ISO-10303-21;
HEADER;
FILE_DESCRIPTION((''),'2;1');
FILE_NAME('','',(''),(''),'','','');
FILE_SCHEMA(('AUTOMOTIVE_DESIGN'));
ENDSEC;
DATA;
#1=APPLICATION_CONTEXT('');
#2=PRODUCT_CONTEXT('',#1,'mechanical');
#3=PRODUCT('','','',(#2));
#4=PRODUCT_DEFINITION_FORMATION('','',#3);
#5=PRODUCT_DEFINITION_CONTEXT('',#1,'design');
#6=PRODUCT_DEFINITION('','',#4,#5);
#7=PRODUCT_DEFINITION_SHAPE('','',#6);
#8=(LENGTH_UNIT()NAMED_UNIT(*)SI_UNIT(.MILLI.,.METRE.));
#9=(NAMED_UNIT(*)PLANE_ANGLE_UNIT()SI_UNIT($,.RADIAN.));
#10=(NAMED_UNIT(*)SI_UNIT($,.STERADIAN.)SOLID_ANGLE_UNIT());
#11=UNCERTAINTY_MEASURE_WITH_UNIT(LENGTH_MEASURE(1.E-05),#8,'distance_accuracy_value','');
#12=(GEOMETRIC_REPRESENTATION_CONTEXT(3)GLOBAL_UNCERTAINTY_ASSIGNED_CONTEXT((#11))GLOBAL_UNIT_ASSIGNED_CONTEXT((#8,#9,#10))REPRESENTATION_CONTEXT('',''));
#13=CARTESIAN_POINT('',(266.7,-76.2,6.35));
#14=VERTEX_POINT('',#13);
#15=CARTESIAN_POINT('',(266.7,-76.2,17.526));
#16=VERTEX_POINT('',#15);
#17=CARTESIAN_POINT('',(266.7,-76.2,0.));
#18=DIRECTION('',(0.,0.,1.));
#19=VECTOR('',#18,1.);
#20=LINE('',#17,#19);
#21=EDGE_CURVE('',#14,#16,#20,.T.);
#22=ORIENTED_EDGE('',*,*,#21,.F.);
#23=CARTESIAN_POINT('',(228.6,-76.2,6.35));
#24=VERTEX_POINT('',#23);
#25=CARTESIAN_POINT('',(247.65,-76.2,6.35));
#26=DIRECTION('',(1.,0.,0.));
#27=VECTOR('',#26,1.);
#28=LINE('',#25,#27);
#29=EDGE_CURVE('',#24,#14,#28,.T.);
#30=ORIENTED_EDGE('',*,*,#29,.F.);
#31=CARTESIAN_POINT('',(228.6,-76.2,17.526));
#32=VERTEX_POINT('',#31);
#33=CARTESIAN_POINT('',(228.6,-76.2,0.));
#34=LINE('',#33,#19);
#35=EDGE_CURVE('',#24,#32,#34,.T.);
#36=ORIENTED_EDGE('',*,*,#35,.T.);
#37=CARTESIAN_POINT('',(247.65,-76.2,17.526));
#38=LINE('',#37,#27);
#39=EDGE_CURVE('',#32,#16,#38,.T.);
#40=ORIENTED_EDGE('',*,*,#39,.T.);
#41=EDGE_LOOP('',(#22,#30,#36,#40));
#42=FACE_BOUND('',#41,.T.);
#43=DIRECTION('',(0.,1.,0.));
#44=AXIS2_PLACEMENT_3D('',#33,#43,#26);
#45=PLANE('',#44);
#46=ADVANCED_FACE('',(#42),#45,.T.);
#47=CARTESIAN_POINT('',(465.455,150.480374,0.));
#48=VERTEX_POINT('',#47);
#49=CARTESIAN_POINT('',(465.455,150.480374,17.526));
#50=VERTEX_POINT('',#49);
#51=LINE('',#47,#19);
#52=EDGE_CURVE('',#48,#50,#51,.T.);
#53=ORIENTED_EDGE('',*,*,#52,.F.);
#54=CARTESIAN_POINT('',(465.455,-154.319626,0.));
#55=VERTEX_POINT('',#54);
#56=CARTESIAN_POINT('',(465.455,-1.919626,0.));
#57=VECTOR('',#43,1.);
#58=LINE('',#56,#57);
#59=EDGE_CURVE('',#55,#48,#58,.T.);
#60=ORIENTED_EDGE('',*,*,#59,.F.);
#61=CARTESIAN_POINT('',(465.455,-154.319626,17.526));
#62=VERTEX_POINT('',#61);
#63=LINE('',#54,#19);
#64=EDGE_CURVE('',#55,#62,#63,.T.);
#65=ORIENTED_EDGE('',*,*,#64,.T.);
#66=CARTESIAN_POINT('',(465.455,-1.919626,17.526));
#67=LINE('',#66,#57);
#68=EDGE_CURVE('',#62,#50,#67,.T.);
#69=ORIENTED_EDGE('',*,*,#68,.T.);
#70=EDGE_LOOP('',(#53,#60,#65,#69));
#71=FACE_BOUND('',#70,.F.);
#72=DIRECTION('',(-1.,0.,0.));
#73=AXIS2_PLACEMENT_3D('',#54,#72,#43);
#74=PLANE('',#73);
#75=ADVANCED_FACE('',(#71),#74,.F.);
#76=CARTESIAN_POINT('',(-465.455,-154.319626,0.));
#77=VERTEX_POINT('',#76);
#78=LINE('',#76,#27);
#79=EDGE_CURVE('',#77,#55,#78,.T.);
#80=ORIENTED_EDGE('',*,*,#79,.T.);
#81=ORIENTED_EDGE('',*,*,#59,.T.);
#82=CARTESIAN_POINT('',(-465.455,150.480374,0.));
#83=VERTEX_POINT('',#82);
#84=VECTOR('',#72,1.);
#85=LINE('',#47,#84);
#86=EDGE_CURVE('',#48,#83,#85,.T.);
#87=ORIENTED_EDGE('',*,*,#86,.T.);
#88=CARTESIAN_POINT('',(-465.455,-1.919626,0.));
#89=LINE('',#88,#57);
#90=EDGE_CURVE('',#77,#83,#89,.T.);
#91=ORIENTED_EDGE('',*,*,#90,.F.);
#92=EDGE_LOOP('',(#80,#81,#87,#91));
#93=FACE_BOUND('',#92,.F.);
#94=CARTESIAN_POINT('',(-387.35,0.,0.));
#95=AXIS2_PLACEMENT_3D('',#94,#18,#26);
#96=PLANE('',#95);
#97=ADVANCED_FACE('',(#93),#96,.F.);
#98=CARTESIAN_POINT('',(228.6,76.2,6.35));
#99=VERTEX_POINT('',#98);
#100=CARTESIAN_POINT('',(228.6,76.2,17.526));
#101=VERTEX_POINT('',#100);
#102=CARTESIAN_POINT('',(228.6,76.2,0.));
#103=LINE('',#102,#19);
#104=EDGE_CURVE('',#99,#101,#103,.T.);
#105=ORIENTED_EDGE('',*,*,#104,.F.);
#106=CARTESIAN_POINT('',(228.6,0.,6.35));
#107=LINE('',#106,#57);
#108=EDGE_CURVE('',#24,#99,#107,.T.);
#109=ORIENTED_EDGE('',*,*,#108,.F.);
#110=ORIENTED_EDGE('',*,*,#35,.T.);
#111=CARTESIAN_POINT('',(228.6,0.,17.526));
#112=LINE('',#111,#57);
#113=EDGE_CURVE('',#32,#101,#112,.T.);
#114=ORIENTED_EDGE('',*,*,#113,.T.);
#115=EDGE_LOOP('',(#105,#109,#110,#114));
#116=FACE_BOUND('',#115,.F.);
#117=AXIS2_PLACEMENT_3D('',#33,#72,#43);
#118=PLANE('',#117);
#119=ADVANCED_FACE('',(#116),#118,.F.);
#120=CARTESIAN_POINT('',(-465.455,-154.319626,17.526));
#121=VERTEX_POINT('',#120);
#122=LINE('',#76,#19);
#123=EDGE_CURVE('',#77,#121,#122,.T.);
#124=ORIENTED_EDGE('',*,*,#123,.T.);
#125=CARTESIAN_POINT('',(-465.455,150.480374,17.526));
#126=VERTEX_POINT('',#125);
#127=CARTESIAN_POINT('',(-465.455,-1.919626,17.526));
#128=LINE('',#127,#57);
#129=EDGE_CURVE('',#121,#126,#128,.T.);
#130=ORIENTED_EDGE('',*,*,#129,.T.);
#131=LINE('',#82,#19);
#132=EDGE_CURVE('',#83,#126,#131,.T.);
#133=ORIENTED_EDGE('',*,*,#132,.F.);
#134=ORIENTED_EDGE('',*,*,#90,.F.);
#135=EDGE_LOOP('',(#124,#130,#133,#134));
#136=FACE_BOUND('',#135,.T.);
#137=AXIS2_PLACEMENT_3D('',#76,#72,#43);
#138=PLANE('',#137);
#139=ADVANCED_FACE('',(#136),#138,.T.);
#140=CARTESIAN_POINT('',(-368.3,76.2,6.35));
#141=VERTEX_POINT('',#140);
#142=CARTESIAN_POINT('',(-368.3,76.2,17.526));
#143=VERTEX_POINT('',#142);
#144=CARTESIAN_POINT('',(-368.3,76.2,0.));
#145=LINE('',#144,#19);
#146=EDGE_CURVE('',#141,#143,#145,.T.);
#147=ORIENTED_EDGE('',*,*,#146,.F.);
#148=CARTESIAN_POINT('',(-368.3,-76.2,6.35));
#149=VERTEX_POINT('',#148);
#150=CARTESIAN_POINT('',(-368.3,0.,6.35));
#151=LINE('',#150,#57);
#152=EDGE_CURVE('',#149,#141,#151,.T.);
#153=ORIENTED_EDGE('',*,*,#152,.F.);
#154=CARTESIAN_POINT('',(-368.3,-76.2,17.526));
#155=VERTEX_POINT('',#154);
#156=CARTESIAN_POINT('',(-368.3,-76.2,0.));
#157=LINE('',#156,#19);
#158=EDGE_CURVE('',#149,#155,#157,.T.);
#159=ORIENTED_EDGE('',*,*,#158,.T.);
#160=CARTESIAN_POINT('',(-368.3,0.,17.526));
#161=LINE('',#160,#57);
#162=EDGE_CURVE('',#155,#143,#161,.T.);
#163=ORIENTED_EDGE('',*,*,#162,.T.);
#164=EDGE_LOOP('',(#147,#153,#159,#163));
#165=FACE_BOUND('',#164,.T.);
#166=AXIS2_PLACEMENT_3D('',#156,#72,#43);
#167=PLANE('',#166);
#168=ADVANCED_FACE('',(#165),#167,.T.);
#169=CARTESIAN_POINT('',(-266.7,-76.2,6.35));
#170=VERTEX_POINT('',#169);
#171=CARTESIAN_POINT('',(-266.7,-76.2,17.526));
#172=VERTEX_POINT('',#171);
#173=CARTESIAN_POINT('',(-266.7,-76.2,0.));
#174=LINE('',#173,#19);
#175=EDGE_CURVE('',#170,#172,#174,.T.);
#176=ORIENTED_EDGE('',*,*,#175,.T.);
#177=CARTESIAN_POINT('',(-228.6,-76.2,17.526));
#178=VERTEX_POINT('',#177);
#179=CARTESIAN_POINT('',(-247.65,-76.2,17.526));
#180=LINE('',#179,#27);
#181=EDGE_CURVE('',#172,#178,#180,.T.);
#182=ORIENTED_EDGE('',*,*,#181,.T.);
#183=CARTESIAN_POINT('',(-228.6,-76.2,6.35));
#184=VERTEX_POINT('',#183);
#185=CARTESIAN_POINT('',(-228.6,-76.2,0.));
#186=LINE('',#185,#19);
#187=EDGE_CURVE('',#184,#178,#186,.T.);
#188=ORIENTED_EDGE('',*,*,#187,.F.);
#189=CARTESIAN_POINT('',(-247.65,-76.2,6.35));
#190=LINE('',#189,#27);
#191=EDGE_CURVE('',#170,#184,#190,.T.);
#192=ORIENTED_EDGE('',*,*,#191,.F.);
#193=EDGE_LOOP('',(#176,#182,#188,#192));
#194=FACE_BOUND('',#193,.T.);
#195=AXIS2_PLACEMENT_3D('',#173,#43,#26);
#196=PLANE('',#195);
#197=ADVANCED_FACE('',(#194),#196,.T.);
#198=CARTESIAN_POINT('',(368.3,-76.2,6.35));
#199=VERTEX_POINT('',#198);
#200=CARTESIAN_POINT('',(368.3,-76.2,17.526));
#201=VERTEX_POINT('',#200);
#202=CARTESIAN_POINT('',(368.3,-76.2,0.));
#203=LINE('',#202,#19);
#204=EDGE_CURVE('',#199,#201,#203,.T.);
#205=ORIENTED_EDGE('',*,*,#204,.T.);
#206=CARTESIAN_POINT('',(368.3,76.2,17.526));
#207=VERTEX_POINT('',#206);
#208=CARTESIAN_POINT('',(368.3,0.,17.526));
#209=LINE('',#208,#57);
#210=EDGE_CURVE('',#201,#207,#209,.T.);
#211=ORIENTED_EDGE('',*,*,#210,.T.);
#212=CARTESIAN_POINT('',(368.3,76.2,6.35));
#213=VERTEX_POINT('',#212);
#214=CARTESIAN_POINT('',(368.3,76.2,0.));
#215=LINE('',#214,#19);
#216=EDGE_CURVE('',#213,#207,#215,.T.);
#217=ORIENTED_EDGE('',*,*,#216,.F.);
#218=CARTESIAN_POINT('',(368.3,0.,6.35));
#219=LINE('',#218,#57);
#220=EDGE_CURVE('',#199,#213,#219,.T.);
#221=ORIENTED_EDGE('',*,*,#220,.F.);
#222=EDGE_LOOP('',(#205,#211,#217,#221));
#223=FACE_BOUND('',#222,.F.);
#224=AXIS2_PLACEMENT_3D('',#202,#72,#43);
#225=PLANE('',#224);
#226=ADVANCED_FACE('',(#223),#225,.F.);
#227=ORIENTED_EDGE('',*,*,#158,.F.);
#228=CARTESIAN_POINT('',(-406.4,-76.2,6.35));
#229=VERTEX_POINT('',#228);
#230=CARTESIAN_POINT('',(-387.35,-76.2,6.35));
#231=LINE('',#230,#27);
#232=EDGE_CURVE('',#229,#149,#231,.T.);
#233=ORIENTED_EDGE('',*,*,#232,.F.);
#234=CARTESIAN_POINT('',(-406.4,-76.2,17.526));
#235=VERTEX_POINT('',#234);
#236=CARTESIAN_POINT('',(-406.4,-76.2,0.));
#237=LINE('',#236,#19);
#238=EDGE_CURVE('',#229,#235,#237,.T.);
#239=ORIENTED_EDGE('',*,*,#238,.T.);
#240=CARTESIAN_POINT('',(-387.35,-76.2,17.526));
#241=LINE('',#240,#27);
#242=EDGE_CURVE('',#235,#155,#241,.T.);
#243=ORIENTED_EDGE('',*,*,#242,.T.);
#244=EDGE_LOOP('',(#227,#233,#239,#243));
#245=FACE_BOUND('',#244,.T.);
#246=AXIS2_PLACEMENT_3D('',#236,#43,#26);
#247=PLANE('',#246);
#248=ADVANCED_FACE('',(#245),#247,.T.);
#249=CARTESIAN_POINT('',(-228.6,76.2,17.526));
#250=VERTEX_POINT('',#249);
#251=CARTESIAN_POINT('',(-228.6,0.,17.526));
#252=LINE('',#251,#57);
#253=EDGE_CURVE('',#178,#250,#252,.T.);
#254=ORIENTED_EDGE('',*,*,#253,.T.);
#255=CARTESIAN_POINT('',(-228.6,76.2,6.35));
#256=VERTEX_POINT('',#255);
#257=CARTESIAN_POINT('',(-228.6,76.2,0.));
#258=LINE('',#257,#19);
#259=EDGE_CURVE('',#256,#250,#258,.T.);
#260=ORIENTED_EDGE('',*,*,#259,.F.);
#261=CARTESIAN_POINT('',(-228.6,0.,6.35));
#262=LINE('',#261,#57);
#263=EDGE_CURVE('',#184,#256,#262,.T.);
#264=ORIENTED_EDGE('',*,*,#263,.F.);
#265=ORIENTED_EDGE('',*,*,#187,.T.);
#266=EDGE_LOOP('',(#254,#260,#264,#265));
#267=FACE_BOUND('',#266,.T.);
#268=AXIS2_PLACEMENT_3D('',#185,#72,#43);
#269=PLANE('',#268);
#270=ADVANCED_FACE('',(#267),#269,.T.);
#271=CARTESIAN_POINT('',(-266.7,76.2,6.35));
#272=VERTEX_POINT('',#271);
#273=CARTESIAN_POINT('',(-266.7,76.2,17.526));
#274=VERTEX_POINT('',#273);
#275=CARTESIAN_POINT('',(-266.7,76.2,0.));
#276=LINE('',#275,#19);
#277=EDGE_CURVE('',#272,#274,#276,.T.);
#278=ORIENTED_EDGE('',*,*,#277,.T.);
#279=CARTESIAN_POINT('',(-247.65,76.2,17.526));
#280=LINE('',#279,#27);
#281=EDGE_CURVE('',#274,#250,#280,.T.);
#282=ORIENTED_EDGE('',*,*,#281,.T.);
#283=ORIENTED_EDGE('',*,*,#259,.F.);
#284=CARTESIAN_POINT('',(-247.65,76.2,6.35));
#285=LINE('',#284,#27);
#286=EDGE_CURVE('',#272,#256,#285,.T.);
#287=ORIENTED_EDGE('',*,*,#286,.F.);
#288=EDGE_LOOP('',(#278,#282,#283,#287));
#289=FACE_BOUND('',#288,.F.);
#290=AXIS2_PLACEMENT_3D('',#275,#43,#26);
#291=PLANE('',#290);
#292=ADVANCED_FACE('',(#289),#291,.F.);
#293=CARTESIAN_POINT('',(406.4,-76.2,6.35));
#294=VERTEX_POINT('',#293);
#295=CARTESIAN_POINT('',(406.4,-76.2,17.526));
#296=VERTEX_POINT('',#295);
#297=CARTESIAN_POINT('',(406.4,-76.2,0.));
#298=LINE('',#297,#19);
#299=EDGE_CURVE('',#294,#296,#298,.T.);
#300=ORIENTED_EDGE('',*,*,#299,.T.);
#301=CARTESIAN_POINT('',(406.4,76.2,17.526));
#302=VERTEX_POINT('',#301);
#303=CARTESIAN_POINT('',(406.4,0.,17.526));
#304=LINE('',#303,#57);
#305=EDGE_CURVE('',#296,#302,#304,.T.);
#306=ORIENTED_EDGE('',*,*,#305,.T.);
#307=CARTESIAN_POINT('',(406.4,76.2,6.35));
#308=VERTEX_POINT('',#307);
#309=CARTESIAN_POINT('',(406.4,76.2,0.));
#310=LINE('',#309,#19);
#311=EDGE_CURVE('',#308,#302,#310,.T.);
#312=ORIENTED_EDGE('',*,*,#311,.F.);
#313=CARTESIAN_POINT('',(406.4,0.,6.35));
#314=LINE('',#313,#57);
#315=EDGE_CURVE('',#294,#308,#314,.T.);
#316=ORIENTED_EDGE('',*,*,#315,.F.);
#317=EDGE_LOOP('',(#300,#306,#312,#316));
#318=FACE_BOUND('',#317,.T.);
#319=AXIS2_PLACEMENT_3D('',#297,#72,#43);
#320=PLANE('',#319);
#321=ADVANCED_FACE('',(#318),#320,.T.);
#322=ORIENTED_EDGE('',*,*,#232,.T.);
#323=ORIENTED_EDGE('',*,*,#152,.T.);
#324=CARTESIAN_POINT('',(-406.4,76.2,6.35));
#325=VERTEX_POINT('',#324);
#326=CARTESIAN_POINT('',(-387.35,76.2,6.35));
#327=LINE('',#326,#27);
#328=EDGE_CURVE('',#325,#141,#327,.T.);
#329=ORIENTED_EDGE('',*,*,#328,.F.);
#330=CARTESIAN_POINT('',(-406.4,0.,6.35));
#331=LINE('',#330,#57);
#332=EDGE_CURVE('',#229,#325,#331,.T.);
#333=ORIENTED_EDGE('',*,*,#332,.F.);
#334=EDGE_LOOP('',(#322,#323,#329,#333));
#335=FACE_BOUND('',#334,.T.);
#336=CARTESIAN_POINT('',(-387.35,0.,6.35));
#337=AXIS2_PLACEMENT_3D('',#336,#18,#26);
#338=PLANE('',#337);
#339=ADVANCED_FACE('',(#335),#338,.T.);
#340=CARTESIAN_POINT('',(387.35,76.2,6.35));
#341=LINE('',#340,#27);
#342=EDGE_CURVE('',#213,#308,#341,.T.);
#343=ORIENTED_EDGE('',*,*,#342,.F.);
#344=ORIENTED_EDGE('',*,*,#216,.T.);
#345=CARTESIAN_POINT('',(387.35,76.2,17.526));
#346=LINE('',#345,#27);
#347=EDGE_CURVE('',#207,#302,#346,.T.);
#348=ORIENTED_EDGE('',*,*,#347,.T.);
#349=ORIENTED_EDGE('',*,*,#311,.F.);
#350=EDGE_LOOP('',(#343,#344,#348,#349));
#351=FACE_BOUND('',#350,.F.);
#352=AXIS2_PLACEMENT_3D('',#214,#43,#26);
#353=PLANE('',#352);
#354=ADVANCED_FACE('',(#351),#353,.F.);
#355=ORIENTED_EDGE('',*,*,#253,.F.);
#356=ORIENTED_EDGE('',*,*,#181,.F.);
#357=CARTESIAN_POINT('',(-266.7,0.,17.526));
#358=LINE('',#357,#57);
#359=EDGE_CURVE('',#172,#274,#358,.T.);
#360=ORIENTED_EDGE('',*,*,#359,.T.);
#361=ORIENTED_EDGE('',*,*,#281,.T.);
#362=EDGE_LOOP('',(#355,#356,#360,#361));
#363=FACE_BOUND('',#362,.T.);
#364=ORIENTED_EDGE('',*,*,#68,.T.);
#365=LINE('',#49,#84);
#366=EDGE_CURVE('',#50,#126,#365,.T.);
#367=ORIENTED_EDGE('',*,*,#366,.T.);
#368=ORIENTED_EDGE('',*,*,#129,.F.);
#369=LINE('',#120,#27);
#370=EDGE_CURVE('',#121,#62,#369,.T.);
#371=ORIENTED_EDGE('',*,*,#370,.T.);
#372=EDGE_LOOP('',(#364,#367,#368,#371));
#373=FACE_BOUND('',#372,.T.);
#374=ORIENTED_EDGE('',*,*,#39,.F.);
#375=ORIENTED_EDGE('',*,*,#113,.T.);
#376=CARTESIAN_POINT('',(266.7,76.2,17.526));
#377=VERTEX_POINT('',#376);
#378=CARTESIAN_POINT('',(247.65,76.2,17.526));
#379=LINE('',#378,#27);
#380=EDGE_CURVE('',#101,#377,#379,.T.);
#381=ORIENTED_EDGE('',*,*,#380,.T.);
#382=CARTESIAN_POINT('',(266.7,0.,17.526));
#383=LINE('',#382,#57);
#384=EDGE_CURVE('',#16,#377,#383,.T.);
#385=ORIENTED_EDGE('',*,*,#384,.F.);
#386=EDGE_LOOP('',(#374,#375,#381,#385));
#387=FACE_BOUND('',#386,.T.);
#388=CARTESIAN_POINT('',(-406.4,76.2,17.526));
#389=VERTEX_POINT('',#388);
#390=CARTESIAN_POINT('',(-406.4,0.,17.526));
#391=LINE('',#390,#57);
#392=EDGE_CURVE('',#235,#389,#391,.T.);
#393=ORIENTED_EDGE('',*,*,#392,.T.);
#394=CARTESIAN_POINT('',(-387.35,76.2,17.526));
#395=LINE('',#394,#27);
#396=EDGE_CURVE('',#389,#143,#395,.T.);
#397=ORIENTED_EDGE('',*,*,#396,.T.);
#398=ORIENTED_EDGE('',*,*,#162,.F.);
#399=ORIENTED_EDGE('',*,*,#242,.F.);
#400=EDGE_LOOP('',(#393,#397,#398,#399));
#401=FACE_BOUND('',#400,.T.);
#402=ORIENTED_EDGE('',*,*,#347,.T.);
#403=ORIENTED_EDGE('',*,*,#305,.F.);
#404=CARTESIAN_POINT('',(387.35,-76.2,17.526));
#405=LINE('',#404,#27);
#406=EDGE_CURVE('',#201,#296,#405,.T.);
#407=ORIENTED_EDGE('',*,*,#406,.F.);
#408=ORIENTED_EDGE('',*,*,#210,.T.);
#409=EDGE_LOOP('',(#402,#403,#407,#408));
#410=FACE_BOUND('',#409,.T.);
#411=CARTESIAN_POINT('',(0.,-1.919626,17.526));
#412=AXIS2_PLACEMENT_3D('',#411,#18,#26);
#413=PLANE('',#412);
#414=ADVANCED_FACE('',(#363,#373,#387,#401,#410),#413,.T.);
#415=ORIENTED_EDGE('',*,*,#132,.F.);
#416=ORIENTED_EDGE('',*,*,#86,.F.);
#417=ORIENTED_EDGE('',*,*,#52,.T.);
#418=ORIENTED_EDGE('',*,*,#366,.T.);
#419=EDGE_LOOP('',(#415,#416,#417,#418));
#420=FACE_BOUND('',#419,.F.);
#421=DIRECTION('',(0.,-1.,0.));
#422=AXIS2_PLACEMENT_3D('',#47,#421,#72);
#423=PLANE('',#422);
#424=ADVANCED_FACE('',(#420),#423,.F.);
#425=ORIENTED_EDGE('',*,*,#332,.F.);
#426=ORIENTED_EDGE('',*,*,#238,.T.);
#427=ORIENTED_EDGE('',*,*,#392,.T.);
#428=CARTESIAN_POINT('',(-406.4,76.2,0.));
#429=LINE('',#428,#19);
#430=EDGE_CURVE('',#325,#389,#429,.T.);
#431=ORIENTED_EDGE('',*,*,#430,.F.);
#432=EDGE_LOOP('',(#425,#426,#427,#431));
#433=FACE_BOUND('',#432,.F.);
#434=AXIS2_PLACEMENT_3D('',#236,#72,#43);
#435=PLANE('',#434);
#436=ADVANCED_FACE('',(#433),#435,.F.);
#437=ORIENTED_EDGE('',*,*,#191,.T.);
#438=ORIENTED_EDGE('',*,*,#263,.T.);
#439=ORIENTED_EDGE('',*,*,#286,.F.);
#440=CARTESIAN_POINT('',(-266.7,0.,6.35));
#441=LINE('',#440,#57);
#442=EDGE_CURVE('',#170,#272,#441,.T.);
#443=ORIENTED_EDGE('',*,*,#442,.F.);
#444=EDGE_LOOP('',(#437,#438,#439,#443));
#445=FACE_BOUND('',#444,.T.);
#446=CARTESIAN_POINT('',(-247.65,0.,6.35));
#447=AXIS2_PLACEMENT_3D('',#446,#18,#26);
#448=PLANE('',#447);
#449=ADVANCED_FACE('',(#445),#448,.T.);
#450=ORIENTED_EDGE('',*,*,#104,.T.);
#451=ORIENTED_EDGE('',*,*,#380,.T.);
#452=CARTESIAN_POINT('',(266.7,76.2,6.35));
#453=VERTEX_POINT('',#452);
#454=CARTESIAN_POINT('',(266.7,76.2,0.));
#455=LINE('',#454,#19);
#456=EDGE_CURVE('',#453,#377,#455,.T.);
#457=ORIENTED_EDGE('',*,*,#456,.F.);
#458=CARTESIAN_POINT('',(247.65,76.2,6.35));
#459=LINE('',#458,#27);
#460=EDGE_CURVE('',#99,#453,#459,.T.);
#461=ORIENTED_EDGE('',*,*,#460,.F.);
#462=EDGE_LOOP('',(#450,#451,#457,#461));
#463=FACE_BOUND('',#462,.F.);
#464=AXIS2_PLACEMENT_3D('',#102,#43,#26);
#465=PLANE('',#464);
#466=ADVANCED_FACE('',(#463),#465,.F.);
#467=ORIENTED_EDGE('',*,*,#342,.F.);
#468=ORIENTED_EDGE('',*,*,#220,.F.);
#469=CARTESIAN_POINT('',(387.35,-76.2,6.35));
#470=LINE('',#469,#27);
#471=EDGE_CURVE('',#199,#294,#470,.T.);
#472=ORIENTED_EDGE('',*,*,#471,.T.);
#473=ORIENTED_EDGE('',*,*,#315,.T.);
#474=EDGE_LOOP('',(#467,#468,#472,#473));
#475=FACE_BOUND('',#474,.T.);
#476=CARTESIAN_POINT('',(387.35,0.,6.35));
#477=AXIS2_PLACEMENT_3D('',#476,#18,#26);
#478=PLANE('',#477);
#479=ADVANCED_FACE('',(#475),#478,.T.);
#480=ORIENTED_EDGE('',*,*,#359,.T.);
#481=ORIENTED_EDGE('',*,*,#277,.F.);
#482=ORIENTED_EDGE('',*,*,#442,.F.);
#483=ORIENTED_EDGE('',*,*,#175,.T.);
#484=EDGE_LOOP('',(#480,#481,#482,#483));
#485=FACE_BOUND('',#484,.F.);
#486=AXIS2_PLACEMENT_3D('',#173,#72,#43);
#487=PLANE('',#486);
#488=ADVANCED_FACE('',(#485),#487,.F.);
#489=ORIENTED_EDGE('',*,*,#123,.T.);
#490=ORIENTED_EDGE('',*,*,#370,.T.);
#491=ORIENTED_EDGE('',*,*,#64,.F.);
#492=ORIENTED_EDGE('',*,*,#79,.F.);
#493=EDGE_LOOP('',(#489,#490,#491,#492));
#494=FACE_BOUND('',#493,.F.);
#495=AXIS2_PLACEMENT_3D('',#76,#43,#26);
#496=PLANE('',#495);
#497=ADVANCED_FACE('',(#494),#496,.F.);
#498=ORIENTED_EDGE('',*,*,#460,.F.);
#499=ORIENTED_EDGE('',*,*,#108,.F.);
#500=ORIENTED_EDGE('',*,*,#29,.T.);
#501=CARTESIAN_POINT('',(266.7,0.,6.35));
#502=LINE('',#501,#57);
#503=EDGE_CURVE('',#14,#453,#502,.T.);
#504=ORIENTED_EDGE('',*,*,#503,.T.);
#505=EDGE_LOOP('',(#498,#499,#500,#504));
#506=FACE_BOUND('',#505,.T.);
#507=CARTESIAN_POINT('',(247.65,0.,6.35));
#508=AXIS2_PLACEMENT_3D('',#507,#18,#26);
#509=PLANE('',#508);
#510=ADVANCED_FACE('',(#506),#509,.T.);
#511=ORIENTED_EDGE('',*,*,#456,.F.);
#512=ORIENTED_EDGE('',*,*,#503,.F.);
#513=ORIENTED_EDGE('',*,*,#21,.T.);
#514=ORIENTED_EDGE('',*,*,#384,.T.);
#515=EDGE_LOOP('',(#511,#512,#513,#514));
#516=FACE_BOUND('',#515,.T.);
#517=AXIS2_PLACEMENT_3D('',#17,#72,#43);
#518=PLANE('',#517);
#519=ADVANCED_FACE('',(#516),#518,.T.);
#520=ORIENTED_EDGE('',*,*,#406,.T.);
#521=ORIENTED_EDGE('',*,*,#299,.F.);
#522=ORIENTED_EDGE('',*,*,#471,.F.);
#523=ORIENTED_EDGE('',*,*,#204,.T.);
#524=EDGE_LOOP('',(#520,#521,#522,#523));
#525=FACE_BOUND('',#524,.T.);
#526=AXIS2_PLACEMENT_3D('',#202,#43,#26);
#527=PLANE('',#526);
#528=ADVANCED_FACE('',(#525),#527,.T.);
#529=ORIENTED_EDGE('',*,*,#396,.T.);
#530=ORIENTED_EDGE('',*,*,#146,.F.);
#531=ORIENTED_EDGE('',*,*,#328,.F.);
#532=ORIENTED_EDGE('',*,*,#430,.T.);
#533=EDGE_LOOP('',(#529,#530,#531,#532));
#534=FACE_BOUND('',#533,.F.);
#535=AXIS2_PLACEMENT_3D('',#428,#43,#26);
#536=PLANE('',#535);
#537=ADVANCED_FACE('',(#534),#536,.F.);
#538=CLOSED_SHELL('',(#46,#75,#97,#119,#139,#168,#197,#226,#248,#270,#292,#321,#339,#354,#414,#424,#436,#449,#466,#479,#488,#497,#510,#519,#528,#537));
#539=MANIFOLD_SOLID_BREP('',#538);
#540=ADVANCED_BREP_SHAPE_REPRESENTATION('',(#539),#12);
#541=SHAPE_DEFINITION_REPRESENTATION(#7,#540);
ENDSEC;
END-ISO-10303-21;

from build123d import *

# Parameters (mm, degrees)
F0_W     = 914.4
F0_H     = 304.8
F0_W_2   = 38.1
F0_H_2   = 152.4
F0_W_3   = 8.255
F1_DEPTH = 17.526
F2_DEPTH = 6.35


with BuildPart() as f1:
    # F0 (on Top) → F1 (new body)
    with BuildSketch(Plane.XY):
        with Locations((0, -1.919626)):
            Rectangle(F0_W, F0_H)
        with Locations((-387.35, 0)):
            Rectangle(F0_W_2, F0_H_2, mode=Mode.SUBTRACT)
        with Locations((-247.65, 0)):
            Rectangle(F0_W_2, F0_H_2, mode=Mode.SUBTRACT)
        with Locations((247.65, 0)):
            Rectangle(F0_W_2, F0_H_2, mode=Mode.SUBTRACT)
        with Locations((387.35, 0)):
            Rectangle(F0_W_2, F0_H_2, mode=Mode.SUBTRACT)
        with Locations((-461.3275, -1.919626)):
            Rectangle(F0_W_3, F0_H)
        with Locations((461.3275, -1.919626)):
            Rectangle(F0_W_3, F0_H)
    extrude(amount=F1_DEPTH)

    # F0 (on Top) → F2 (join)
    with BuildSketch(Plane.XY):
        with Locations((-387.35, 0)):
            Rectangle(F0_W_2, F0_H_2)
        with Locations((-247.65, 0)):
            Rectangle(F0_W_2, F0_H_2)
        with Locations((247.65, 0)):
            Rectangle(F0_W_2, F0_H_2)
        with Locations((387.35, 0)):
            Rectangle(F0_W_2, F0_H_2)
    extrude(amount=F2_DEPTH)


solid = f1.part
